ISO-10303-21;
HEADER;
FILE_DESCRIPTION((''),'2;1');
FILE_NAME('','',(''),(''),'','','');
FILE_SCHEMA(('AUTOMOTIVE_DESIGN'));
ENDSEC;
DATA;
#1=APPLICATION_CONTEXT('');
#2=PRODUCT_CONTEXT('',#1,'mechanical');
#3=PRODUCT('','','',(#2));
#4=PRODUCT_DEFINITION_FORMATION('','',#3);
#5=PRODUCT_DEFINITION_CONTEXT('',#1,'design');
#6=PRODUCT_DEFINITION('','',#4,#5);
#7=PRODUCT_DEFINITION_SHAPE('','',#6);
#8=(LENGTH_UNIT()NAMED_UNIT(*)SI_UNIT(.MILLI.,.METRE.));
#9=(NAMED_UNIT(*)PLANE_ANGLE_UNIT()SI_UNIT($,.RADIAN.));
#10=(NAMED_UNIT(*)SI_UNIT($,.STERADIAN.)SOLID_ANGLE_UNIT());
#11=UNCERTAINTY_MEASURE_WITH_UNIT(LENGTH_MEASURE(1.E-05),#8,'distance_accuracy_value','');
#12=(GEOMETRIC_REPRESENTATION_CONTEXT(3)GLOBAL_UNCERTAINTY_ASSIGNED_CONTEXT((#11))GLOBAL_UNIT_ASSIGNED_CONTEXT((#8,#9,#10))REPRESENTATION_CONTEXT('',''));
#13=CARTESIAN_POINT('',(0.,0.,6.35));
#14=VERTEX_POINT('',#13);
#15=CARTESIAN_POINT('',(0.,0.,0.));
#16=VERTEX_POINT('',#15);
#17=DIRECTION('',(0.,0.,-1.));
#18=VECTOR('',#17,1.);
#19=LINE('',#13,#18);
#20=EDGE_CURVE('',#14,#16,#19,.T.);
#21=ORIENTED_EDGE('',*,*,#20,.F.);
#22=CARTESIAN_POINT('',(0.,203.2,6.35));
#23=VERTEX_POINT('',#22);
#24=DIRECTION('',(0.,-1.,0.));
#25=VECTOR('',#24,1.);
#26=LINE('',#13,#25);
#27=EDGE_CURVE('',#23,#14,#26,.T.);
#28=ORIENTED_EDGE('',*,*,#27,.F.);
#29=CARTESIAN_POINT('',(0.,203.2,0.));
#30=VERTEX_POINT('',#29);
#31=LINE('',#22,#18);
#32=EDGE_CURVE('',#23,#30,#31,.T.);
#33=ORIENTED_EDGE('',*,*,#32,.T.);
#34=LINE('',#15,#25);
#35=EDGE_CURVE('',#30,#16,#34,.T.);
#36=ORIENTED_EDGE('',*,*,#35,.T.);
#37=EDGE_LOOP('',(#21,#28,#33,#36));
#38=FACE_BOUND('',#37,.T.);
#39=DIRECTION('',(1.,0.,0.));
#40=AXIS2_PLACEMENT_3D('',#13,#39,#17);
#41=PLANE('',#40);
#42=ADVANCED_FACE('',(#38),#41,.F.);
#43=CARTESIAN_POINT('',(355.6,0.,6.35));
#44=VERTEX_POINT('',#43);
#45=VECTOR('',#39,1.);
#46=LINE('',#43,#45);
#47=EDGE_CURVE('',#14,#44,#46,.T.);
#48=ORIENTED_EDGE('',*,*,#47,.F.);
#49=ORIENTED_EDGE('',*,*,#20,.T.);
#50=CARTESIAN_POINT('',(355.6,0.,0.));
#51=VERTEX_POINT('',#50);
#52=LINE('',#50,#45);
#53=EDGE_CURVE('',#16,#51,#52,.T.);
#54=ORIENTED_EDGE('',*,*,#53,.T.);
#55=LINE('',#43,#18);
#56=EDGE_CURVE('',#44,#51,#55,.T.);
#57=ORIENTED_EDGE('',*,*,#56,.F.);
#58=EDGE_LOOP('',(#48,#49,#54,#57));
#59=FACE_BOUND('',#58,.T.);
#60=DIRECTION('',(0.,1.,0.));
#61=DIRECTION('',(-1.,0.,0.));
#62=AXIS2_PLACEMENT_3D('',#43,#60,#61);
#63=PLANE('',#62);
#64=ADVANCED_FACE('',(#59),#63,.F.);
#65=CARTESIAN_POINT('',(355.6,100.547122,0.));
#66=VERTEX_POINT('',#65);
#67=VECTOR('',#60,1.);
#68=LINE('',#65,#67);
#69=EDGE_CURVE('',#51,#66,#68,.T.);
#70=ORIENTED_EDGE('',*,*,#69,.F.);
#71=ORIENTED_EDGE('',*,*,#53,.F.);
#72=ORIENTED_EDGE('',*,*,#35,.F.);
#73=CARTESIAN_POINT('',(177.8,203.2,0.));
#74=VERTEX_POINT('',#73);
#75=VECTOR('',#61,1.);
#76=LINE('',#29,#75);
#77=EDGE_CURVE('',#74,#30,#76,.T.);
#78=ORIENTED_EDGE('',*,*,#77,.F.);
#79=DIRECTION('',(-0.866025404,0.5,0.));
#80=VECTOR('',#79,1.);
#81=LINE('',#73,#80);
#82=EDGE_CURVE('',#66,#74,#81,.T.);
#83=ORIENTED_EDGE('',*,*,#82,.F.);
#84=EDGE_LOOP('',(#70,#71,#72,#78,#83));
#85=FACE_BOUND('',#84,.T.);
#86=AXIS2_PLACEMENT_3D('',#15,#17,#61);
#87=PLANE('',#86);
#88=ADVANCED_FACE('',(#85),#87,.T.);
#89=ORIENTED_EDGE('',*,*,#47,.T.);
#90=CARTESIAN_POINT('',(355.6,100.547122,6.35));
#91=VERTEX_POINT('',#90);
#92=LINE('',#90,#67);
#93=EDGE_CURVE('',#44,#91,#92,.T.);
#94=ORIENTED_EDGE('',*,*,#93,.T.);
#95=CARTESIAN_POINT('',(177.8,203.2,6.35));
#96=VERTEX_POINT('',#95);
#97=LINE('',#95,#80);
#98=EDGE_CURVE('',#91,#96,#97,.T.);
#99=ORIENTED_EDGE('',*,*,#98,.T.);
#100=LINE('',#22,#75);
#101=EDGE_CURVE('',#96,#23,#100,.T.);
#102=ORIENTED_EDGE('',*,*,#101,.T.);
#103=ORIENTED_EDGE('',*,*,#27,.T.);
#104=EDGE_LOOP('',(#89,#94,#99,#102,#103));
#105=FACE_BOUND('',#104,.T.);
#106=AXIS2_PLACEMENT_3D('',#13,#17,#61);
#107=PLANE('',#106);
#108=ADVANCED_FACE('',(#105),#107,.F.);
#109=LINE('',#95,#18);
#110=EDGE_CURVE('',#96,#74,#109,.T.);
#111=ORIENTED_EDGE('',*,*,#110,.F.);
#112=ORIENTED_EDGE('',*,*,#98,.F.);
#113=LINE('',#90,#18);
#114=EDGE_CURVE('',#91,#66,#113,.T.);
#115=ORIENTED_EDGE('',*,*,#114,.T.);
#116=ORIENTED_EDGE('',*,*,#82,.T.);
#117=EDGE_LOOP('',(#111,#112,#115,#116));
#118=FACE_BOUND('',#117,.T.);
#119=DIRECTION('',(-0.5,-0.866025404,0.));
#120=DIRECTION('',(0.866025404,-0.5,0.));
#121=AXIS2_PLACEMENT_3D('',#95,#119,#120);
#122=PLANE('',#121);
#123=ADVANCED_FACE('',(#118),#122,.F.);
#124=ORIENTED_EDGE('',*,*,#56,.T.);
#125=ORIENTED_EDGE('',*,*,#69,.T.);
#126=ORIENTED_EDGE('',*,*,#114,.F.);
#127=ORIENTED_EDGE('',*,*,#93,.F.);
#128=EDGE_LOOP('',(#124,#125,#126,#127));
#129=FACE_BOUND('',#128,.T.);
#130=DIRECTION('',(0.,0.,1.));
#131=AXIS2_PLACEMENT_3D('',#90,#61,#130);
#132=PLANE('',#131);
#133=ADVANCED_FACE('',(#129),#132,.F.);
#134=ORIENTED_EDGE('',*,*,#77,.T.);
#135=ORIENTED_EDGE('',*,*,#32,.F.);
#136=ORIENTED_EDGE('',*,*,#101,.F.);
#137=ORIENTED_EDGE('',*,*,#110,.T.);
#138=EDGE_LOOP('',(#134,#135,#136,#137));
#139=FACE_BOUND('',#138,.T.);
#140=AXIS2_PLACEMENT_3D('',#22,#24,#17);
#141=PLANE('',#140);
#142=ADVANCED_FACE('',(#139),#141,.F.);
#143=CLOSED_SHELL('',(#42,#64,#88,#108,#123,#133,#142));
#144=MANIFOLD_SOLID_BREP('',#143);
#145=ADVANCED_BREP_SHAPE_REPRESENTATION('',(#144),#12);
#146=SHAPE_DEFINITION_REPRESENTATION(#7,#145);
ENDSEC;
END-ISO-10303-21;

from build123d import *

# Parameters (mm, degrees)
BOSS_EXTRUDE1_DEPTH = 6.35


with BuildPart() as part:
    # Sketch1 → Boss-Extrude1 (new body)
    with BuildSketch(Plane.XY):
        Polygon((0, 0), (0, 203.2), (177.8, 203.2), (355.6, 100.547122138), (355.6, 0), align=None)
    extrude(amount=BOSS_EXTRUDE1_DEPTH)


solid = part.part
